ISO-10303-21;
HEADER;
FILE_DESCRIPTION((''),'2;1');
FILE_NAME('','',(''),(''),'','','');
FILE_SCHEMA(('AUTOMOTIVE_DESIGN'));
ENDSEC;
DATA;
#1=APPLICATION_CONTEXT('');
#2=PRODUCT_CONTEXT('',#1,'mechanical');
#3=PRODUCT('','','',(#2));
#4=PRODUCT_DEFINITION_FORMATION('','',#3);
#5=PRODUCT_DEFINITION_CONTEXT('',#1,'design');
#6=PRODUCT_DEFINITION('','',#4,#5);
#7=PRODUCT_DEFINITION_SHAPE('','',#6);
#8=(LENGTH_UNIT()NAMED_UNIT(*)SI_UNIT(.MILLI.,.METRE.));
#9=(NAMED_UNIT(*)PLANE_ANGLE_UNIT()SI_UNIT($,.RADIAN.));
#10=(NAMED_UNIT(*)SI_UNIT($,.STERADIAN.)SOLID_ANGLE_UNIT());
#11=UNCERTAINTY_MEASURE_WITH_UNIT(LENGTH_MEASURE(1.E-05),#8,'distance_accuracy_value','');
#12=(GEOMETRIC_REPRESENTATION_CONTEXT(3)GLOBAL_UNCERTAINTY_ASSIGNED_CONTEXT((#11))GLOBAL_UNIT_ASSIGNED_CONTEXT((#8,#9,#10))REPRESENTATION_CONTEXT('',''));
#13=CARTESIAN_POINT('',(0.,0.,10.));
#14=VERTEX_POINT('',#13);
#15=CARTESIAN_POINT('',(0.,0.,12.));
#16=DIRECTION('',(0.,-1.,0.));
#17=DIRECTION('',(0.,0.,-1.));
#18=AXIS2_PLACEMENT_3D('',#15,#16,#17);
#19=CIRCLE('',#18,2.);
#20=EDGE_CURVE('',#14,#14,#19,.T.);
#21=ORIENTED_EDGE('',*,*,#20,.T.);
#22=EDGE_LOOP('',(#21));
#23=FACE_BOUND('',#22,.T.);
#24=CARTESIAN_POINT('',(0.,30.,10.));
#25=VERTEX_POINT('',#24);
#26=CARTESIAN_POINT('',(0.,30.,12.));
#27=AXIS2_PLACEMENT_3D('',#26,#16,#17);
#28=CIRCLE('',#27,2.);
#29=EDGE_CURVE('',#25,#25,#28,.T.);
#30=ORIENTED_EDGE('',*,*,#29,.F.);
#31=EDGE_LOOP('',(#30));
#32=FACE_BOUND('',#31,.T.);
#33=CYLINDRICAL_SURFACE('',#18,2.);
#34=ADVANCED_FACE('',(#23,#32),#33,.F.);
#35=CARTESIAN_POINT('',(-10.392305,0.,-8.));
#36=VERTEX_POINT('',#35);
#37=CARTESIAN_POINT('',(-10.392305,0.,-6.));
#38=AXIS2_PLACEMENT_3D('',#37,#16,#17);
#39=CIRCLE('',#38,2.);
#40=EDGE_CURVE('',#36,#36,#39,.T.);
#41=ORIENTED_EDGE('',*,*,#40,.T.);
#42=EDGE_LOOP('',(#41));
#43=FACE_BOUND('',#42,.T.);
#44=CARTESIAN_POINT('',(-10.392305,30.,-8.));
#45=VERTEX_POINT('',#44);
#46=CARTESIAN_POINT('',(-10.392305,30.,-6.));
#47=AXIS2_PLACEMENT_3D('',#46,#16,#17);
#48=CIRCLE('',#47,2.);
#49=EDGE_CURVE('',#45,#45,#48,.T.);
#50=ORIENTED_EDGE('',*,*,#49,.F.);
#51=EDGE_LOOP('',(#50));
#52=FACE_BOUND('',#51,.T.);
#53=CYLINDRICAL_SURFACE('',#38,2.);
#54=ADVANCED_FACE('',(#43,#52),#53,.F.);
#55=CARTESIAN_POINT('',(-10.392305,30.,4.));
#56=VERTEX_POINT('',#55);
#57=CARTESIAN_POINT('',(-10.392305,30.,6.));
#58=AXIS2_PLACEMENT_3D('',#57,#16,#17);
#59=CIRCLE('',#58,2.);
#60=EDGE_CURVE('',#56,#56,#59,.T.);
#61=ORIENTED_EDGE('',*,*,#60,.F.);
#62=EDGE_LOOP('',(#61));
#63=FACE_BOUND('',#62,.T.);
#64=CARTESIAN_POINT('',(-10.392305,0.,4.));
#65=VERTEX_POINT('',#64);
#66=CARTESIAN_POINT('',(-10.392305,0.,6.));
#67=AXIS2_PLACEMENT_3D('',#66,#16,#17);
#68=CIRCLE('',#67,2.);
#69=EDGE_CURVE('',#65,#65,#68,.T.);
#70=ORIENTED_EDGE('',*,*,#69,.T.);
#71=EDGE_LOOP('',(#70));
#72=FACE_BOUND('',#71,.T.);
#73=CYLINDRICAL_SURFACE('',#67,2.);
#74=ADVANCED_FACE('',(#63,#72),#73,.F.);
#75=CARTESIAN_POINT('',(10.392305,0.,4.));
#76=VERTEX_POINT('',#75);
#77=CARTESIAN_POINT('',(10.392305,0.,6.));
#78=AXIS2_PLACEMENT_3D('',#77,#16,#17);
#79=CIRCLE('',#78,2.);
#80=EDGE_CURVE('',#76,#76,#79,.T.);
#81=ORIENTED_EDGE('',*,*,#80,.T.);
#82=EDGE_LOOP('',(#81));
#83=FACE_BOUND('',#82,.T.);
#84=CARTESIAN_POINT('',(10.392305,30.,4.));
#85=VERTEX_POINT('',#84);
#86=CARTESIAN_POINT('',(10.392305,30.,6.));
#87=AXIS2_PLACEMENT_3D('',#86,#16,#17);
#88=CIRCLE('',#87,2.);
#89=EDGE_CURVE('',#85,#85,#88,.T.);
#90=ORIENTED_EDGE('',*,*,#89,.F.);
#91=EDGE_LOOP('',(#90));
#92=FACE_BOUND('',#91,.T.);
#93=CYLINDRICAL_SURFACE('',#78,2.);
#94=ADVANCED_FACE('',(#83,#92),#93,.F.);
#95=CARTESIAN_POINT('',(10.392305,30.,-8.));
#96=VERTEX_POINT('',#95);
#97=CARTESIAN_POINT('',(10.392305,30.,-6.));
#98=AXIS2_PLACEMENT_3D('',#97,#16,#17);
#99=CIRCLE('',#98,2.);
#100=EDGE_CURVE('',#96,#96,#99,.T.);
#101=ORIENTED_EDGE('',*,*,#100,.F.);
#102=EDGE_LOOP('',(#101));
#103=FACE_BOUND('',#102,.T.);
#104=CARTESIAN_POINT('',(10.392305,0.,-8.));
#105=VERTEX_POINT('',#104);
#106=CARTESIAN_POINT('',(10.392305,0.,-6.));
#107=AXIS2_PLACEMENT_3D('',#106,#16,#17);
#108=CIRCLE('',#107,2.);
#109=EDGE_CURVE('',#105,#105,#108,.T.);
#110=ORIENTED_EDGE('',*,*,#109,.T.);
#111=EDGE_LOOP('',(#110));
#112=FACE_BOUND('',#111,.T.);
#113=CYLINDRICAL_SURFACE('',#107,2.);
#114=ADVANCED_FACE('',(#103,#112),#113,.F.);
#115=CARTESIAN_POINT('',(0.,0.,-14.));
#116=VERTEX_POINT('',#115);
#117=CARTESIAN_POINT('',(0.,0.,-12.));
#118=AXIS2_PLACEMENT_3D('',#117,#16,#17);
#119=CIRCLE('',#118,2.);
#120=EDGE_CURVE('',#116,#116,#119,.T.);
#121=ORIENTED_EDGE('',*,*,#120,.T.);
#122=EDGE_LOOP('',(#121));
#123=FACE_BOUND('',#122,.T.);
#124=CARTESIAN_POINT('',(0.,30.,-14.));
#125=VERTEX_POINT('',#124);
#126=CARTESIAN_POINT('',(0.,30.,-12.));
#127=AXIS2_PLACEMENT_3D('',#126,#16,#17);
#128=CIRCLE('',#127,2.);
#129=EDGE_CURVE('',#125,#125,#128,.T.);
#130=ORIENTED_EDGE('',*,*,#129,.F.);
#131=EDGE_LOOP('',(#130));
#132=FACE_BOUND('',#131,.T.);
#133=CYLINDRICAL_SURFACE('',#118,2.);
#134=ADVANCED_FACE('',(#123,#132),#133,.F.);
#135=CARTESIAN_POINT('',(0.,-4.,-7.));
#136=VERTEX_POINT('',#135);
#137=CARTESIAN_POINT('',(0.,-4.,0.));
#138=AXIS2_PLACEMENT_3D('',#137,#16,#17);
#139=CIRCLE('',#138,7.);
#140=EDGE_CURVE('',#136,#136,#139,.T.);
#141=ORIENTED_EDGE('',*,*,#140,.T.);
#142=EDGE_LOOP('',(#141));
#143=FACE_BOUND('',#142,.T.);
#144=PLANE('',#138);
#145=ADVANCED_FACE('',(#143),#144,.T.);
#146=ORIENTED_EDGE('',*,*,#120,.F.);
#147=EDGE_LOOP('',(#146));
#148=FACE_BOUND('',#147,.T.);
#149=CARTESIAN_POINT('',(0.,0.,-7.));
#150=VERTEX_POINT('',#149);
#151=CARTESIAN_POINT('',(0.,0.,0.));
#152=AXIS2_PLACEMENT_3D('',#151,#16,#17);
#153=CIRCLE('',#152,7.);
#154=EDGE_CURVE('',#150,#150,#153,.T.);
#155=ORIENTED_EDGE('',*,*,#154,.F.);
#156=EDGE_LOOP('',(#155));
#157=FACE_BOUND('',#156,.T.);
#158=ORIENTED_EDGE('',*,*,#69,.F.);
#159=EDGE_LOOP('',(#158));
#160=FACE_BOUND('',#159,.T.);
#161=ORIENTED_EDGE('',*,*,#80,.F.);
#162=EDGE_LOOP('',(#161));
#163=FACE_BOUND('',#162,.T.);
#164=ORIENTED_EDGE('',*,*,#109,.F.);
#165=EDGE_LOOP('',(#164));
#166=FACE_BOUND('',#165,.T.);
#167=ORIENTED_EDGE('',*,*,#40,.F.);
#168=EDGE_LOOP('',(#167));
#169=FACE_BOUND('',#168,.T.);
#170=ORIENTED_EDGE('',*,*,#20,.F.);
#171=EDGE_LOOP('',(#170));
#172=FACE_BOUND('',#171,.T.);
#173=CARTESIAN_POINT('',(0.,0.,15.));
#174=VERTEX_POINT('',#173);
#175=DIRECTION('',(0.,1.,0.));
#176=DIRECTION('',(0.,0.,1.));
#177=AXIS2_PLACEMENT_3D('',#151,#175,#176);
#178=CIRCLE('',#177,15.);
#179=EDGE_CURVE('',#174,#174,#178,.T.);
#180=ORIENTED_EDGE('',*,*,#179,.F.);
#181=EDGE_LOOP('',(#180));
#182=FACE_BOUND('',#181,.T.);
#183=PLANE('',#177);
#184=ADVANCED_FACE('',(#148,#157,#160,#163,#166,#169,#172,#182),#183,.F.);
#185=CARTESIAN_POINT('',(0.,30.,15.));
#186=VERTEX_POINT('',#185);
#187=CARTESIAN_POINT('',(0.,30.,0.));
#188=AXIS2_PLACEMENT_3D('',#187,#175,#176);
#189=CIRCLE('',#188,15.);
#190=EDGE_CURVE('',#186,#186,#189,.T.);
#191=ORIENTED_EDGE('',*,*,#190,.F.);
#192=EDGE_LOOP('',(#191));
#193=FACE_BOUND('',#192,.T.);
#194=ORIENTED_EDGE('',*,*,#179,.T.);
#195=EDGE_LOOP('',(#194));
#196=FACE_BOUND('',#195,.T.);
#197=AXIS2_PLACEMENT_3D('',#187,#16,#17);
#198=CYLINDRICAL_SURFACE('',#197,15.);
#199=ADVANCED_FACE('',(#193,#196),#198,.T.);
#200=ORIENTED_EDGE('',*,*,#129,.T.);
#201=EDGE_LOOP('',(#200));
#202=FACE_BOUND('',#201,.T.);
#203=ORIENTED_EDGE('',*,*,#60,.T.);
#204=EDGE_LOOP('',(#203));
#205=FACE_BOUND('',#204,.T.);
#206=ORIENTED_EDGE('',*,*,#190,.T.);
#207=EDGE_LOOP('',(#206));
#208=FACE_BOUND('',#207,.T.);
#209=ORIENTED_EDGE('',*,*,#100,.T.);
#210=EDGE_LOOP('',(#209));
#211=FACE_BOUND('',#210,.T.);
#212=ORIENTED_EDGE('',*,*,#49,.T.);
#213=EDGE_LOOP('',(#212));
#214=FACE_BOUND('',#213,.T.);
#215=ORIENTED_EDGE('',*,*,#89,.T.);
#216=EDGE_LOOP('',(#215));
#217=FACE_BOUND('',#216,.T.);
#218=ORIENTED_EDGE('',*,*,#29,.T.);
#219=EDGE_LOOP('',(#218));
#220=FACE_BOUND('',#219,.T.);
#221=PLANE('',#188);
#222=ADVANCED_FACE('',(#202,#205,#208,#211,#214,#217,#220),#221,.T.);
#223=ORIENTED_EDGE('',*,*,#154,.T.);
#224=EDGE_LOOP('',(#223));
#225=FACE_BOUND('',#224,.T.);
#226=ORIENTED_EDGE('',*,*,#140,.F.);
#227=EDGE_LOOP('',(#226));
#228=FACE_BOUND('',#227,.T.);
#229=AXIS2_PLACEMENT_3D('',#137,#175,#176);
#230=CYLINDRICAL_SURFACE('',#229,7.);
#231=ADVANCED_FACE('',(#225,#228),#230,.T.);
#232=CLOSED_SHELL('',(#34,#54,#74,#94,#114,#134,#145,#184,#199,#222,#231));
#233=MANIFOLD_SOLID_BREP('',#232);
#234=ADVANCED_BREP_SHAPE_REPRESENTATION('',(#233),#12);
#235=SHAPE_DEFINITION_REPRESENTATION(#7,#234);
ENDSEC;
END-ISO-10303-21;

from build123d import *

# Parameters (mm, degrees)
SKETCH1_R             = 15
BOSS_EXTRUDE1_DEPTH   = 30
SKETCH2_R             = 7
BOSS_EXTRUDE2_DEPTH   = 4
F_4_0MM_DOWEL_HOLE1_D = 4
CIRPATTERN1_COUNT     = 6


with BuildPart() as part:
    # Sketch1 → Boss-Extrude1 (new body)
    with BuildSketch(Plane(origin=(0, 0, 0), x_dir=(1, 0, 0), z_dir=(0, 1, 0))):
        Circle(SKETCH1_R)
    extrude(amount=BOSS_EXTRUDE1_DEPTH)

    # Sketch2 → Boss-Extrude2 (add)
    with BuildSketch(Plane.XZ):
        Circle(SKETCH2_R)
    extrude(amount=BOSS_EXTRUDE2_DEPTH)

    # Ø4.0mm Dowel Hole1 (through all)
    with Locations(Plane(origin=(0, 0, 0), x_dir=(-1, 0, 0), z_dir=(0, -1, 0))):
        with Locations((0, -12)):
            f_4_0mm_dowel_hole1 = Hole(F_4_0MM_DOWEL_HOLE1_D / 2)

    # CirPattern1: Ø4.0mm Dowel Hole1 ×6 about axis
    cirpattern1_axis = Axis((0, 30, 0), (0, -1, 0))
    for i in range(1, CIRPATTERN1_COUNT):
        add(f_4_0mm_dowel_hole1.rotate(cirpattern1_axis, i * 360 / CIRPATTERN1_COUNT), mode=Mode.SUBTRACT)


solid = part.part
